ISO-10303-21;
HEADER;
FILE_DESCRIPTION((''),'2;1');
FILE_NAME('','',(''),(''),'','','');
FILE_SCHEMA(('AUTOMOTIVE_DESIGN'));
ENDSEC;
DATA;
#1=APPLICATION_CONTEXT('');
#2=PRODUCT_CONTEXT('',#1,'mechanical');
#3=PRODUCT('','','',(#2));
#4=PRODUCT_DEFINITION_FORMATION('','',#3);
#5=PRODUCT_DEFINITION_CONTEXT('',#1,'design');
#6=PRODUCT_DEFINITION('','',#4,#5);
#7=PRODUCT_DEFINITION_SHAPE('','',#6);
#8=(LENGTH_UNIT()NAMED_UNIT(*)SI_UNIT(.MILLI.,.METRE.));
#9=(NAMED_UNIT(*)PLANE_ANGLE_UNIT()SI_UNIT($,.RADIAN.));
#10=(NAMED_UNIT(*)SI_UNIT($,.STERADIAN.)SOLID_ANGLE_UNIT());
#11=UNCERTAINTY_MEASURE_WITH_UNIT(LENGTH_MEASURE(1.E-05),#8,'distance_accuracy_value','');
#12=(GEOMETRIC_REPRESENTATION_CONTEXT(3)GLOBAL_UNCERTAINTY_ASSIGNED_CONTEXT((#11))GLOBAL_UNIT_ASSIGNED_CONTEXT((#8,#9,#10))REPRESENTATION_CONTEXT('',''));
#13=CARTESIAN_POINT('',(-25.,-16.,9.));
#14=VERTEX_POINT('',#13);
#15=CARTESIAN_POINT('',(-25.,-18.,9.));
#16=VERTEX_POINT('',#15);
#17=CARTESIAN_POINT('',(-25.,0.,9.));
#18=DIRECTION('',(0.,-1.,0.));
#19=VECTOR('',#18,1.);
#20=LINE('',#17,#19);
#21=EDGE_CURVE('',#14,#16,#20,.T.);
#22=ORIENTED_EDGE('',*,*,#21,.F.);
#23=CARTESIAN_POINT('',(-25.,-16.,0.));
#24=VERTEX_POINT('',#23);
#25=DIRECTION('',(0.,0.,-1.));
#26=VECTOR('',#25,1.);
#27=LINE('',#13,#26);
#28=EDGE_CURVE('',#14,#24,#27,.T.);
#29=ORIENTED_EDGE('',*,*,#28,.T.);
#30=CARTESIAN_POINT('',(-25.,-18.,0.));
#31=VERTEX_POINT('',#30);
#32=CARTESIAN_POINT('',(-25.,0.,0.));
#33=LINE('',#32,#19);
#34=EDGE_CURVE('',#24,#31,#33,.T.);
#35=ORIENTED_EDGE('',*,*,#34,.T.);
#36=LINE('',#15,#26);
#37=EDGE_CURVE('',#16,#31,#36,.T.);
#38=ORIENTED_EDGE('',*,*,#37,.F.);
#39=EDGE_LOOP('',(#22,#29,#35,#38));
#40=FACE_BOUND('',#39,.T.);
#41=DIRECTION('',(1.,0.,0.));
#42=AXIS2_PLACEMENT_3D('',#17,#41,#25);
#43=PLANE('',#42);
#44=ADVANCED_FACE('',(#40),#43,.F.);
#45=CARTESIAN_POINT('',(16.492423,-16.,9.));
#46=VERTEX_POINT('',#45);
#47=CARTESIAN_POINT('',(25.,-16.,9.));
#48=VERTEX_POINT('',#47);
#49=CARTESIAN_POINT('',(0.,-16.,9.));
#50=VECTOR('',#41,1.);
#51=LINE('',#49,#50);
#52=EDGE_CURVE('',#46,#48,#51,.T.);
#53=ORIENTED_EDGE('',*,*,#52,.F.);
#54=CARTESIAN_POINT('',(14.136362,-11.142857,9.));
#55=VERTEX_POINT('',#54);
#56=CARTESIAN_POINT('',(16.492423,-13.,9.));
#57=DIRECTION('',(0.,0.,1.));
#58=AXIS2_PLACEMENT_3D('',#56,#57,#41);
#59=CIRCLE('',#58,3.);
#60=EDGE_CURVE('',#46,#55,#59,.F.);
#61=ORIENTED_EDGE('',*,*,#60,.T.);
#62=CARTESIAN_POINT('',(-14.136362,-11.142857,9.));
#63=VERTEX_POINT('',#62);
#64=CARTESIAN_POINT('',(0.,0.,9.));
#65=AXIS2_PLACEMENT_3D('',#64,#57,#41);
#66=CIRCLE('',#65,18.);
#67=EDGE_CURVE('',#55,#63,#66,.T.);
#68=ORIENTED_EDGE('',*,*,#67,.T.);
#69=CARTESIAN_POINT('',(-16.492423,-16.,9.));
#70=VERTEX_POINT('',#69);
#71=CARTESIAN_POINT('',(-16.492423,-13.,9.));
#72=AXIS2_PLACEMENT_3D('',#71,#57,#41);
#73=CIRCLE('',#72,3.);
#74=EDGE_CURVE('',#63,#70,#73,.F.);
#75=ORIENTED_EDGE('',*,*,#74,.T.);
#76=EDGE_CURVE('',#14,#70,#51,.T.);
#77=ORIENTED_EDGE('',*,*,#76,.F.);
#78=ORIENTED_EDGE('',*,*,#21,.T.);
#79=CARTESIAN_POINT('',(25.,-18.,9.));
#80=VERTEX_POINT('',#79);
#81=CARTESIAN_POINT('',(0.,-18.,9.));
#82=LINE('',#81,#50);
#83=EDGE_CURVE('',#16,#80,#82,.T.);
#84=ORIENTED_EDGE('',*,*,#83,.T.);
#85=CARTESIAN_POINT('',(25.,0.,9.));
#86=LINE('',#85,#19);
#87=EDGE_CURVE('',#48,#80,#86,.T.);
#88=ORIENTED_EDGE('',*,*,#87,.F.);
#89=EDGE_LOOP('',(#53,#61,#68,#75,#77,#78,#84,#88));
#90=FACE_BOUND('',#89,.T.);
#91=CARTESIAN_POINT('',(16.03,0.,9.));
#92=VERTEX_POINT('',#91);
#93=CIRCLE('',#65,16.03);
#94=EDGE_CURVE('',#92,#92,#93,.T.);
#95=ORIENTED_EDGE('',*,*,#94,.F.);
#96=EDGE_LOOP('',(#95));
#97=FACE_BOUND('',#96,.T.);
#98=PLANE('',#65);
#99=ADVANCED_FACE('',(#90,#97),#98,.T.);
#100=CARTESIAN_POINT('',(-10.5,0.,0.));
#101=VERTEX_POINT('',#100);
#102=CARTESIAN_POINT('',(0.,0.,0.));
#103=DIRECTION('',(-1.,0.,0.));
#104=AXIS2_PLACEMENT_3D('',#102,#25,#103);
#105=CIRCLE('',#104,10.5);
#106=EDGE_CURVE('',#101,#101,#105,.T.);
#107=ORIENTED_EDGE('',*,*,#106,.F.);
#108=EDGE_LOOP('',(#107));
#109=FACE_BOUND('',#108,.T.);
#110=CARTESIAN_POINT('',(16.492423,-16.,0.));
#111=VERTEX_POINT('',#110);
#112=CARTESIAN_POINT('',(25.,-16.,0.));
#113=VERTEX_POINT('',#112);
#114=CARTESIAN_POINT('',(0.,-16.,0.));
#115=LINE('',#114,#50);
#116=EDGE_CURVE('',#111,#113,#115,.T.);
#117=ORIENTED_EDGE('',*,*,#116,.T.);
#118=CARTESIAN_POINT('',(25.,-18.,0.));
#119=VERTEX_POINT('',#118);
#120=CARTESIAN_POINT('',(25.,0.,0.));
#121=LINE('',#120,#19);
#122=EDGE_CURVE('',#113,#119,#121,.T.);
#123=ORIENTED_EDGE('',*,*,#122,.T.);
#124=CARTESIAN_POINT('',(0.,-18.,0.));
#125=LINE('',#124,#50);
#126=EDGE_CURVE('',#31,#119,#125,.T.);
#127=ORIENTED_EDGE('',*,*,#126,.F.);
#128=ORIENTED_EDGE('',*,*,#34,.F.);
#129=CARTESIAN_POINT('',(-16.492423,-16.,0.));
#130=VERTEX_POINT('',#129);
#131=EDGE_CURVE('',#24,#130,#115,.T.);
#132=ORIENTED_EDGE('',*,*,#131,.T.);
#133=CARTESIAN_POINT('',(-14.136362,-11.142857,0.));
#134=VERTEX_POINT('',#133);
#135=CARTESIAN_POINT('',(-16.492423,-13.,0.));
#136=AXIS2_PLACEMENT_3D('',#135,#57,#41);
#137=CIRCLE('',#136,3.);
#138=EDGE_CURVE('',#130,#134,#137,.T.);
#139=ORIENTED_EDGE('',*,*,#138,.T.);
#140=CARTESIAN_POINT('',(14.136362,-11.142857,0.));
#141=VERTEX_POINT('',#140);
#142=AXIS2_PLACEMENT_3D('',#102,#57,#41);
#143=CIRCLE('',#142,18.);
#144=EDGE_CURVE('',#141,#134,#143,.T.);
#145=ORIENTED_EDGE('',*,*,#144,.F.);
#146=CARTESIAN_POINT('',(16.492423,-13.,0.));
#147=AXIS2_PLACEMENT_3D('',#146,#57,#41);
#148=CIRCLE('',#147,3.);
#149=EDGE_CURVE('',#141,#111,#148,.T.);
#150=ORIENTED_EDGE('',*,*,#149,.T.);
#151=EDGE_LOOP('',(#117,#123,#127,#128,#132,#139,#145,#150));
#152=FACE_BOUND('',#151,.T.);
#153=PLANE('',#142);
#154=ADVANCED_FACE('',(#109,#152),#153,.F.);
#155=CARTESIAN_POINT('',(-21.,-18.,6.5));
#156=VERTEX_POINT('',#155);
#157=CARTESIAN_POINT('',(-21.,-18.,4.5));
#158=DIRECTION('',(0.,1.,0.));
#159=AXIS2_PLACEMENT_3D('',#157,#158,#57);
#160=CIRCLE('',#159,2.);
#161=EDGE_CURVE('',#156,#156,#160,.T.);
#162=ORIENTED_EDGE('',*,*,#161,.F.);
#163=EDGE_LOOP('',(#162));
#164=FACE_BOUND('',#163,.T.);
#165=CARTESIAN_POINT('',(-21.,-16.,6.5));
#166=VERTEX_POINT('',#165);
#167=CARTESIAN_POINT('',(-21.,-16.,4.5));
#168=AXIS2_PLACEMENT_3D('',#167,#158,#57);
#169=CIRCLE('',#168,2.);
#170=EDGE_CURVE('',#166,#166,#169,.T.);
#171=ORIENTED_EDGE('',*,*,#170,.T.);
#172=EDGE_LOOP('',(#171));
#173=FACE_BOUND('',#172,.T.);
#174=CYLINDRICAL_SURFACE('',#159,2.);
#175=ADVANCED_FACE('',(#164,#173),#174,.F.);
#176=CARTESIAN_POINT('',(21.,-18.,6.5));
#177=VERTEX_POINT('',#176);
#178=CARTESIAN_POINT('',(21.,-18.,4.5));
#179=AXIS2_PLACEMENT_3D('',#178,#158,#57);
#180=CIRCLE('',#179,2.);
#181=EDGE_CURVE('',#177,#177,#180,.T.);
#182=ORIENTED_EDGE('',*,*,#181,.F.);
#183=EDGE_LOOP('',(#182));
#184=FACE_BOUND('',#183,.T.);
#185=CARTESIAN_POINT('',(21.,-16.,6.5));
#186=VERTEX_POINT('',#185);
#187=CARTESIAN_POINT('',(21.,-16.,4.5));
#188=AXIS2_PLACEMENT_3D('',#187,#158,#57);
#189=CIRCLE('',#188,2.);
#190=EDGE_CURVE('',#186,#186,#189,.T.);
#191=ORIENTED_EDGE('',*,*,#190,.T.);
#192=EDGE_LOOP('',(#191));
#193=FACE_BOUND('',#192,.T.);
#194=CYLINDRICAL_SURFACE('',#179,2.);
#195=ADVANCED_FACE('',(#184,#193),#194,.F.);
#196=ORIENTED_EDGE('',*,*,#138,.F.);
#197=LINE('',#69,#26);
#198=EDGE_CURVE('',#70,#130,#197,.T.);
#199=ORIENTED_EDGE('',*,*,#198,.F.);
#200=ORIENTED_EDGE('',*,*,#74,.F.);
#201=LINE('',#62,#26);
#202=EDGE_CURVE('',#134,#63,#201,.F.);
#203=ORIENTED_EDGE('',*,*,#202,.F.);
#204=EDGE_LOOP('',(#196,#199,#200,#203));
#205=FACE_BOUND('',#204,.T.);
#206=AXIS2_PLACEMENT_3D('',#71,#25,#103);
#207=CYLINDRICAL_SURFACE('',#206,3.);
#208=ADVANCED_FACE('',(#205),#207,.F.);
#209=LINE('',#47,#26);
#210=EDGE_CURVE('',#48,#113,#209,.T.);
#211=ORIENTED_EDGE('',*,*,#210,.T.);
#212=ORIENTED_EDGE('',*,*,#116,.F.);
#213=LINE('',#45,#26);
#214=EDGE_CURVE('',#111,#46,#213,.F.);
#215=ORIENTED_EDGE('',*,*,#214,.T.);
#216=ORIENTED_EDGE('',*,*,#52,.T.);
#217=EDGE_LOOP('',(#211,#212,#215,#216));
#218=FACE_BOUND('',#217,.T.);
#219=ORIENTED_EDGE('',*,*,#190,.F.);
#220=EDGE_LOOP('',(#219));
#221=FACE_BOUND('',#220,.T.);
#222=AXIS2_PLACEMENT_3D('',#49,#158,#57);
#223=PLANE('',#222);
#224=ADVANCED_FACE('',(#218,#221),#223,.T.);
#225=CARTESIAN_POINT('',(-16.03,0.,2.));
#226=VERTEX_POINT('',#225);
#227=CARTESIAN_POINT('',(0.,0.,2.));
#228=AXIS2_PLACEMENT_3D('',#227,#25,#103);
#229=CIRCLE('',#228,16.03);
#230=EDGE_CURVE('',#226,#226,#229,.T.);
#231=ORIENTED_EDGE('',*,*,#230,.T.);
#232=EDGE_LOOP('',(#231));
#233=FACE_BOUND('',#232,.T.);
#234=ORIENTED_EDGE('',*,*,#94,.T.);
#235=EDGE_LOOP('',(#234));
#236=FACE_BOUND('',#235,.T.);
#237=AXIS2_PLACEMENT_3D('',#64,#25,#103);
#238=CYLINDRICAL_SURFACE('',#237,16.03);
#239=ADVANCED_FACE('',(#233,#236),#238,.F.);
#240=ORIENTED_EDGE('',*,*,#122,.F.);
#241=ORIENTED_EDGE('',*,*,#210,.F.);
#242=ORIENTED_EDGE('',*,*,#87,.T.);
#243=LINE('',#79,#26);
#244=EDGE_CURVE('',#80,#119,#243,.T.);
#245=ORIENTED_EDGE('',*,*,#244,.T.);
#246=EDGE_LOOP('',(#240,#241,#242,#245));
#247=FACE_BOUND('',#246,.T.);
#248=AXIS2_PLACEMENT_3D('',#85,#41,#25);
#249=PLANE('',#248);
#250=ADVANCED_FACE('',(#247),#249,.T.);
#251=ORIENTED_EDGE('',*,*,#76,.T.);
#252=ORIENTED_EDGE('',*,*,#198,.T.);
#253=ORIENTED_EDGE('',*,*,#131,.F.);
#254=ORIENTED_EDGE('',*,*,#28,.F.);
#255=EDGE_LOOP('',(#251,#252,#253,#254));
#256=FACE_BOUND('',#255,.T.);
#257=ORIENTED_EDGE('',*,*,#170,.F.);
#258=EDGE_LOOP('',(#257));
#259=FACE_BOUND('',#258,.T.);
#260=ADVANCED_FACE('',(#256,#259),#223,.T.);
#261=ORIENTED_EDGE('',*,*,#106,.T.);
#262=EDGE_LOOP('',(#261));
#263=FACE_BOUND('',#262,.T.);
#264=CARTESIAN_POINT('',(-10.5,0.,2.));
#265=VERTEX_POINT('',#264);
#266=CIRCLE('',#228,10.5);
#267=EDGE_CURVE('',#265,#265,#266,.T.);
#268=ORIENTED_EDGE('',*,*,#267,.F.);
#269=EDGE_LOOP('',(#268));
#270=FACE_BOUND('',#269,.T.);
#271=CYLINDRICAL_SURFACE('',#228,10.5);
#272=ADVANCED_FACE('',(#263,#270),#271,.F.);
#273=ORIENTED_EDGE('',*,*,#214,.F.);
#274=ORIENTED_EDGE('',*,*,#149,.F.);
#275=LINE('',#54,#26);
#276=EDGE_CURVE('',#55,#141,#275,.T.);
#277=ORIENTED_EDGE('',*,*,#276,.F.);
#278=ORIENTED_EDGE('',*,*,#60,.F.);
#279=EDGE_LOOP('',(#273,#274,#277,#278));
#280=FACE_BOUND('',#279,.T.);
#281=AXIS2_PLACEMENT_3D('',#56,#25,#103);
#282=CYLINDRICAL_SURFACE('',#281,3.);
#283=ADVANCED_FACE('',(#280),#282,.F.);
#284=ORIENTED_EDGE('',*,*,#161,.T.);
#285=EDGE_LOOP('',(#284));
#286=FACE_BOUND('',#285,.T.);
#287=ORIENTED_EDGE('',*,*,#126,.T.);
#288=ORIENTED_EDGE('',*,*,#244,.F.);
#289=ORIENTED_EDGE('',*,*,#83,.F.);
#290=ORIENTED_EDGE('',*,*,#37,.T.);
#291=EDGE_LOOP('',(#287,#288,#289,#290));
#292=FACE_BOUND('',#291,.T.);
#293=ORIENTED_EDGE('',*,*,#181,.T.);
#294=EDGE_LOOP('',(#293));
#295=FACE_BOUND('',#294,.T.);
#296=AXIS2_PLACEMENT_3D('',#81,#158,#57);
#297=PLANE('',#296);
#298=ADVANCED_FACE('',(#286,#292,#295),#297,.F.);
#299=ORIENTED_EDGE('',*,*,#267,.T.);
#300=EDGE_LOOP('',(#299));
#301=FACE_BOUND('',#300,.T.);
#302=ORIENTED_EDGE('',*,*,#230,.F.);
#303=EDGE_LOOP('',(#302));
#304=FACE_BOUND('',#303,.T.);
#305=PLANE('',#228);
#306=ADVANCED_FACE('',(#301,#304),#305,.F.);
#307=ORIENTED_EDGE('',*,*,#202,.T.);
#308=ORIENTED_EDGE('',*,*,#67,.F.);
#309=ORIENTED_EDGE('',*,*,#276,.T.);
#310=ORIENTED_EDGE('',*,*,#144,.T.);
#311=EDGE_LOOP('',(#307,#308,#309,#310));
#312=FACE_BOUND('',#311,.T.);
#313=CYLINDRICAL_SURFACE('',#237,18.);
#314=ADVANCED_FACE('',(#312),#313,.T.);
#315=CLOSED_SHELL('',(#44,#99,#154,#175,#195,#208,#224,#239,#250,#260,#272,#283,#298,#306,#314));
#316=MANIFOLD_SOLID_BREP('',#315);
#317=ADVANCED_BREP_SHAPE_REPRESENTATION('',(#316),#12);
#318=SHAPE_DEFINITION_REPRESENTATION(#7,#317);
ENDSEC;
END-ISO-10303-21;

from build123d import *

# Parameters (mm, degrees)
CROQUIS1_R              = 16.03
SALIENTE_EXTRUIR1_DEPTH = 9
CROQUIS2_R              = 10.5
SALIENTE_EXTRUIR2_DEPTH = 2
REDONDEO1_R             = 3
CROQUIS3_R              = 2
CORTAR_EXTRUIR1_DEPTH   = 44.150898021


with BuildPart() as part:
    # Croquis1 → Saliente-Extruir1 (new body)
    with BuildSketch(Plane.XY):
        with BuildLine():
            Line((-8.246211251, -16), (-25, -16))
            Line((-25, -16), (-25, -18))
            Line((-25, -18), (25, -18))
            Line((25, -18), (25, -16))
            Line((25, -16), (8.246211251, -16))
            ThreePointArc((8.246211251, -16), (0, 18), (-8.246211251, -16))
        make_face()
        Circle(CROQUIS1_R, mode=Mode.SUBTRACT)
    extrude(amount=SALIENTE_EXTRUIR1_DEPTH)

    # Croquis2 → Saliente-Extruir2 (add)
    with BuildSketch(Plane(origin=(0, 0, 0), x_dir=(-1, 0, 0), z_dir=(0, 0, -1))):
        with BuildLine():
            Line((-8.246211251, -16), (-25, -16))
            Line((-25, -16), (-25, -18))
            Line((-25, -18), (25, -18))
            Line((25, -18), (25, -16))
            Line((25, -16), (8.246211251, -16))
            ThreePointArc((8.246211251, -16), (0, 18), (-8.246211251, -16))
        make_face()
        Circle(CROQUIS2_R, mode=Mode.SUBTRACT)
    extrude(amount=-SALIENTE_EXTRUIR2_DEPTH)

    # Redondeo1
    redondeo1_edges = [part.edges().sort_by_distance(p)[0] for p in [
        (8.246211251, -16, 4.5),
        (-8.246211251, -16, 4.5),
    ]]
    fillet(redondeo1_edges, radius=REDONDEO1_R)

    # Croquis3 → Cortar-Extruir1 (cut, through all)
    with BuildSketch(Plane(origin=(0, -16, 0), x_dir=(1, 0, 0), z_dir=(0, 1, 0))):
        with Locations(Location((-21, -4.5, 0), (0, 0, 270))):
            Circle(CROQUIS3_R)
        with Locations(Location((21, -4.5, 0), (0, 0, 270))):
            Circle(CROQUIS3_R)
    extrude(amount=-CORTAR_EXTRUIR1_DEPTH, mode=Mode.SUBTRACT)


solid = part.part
